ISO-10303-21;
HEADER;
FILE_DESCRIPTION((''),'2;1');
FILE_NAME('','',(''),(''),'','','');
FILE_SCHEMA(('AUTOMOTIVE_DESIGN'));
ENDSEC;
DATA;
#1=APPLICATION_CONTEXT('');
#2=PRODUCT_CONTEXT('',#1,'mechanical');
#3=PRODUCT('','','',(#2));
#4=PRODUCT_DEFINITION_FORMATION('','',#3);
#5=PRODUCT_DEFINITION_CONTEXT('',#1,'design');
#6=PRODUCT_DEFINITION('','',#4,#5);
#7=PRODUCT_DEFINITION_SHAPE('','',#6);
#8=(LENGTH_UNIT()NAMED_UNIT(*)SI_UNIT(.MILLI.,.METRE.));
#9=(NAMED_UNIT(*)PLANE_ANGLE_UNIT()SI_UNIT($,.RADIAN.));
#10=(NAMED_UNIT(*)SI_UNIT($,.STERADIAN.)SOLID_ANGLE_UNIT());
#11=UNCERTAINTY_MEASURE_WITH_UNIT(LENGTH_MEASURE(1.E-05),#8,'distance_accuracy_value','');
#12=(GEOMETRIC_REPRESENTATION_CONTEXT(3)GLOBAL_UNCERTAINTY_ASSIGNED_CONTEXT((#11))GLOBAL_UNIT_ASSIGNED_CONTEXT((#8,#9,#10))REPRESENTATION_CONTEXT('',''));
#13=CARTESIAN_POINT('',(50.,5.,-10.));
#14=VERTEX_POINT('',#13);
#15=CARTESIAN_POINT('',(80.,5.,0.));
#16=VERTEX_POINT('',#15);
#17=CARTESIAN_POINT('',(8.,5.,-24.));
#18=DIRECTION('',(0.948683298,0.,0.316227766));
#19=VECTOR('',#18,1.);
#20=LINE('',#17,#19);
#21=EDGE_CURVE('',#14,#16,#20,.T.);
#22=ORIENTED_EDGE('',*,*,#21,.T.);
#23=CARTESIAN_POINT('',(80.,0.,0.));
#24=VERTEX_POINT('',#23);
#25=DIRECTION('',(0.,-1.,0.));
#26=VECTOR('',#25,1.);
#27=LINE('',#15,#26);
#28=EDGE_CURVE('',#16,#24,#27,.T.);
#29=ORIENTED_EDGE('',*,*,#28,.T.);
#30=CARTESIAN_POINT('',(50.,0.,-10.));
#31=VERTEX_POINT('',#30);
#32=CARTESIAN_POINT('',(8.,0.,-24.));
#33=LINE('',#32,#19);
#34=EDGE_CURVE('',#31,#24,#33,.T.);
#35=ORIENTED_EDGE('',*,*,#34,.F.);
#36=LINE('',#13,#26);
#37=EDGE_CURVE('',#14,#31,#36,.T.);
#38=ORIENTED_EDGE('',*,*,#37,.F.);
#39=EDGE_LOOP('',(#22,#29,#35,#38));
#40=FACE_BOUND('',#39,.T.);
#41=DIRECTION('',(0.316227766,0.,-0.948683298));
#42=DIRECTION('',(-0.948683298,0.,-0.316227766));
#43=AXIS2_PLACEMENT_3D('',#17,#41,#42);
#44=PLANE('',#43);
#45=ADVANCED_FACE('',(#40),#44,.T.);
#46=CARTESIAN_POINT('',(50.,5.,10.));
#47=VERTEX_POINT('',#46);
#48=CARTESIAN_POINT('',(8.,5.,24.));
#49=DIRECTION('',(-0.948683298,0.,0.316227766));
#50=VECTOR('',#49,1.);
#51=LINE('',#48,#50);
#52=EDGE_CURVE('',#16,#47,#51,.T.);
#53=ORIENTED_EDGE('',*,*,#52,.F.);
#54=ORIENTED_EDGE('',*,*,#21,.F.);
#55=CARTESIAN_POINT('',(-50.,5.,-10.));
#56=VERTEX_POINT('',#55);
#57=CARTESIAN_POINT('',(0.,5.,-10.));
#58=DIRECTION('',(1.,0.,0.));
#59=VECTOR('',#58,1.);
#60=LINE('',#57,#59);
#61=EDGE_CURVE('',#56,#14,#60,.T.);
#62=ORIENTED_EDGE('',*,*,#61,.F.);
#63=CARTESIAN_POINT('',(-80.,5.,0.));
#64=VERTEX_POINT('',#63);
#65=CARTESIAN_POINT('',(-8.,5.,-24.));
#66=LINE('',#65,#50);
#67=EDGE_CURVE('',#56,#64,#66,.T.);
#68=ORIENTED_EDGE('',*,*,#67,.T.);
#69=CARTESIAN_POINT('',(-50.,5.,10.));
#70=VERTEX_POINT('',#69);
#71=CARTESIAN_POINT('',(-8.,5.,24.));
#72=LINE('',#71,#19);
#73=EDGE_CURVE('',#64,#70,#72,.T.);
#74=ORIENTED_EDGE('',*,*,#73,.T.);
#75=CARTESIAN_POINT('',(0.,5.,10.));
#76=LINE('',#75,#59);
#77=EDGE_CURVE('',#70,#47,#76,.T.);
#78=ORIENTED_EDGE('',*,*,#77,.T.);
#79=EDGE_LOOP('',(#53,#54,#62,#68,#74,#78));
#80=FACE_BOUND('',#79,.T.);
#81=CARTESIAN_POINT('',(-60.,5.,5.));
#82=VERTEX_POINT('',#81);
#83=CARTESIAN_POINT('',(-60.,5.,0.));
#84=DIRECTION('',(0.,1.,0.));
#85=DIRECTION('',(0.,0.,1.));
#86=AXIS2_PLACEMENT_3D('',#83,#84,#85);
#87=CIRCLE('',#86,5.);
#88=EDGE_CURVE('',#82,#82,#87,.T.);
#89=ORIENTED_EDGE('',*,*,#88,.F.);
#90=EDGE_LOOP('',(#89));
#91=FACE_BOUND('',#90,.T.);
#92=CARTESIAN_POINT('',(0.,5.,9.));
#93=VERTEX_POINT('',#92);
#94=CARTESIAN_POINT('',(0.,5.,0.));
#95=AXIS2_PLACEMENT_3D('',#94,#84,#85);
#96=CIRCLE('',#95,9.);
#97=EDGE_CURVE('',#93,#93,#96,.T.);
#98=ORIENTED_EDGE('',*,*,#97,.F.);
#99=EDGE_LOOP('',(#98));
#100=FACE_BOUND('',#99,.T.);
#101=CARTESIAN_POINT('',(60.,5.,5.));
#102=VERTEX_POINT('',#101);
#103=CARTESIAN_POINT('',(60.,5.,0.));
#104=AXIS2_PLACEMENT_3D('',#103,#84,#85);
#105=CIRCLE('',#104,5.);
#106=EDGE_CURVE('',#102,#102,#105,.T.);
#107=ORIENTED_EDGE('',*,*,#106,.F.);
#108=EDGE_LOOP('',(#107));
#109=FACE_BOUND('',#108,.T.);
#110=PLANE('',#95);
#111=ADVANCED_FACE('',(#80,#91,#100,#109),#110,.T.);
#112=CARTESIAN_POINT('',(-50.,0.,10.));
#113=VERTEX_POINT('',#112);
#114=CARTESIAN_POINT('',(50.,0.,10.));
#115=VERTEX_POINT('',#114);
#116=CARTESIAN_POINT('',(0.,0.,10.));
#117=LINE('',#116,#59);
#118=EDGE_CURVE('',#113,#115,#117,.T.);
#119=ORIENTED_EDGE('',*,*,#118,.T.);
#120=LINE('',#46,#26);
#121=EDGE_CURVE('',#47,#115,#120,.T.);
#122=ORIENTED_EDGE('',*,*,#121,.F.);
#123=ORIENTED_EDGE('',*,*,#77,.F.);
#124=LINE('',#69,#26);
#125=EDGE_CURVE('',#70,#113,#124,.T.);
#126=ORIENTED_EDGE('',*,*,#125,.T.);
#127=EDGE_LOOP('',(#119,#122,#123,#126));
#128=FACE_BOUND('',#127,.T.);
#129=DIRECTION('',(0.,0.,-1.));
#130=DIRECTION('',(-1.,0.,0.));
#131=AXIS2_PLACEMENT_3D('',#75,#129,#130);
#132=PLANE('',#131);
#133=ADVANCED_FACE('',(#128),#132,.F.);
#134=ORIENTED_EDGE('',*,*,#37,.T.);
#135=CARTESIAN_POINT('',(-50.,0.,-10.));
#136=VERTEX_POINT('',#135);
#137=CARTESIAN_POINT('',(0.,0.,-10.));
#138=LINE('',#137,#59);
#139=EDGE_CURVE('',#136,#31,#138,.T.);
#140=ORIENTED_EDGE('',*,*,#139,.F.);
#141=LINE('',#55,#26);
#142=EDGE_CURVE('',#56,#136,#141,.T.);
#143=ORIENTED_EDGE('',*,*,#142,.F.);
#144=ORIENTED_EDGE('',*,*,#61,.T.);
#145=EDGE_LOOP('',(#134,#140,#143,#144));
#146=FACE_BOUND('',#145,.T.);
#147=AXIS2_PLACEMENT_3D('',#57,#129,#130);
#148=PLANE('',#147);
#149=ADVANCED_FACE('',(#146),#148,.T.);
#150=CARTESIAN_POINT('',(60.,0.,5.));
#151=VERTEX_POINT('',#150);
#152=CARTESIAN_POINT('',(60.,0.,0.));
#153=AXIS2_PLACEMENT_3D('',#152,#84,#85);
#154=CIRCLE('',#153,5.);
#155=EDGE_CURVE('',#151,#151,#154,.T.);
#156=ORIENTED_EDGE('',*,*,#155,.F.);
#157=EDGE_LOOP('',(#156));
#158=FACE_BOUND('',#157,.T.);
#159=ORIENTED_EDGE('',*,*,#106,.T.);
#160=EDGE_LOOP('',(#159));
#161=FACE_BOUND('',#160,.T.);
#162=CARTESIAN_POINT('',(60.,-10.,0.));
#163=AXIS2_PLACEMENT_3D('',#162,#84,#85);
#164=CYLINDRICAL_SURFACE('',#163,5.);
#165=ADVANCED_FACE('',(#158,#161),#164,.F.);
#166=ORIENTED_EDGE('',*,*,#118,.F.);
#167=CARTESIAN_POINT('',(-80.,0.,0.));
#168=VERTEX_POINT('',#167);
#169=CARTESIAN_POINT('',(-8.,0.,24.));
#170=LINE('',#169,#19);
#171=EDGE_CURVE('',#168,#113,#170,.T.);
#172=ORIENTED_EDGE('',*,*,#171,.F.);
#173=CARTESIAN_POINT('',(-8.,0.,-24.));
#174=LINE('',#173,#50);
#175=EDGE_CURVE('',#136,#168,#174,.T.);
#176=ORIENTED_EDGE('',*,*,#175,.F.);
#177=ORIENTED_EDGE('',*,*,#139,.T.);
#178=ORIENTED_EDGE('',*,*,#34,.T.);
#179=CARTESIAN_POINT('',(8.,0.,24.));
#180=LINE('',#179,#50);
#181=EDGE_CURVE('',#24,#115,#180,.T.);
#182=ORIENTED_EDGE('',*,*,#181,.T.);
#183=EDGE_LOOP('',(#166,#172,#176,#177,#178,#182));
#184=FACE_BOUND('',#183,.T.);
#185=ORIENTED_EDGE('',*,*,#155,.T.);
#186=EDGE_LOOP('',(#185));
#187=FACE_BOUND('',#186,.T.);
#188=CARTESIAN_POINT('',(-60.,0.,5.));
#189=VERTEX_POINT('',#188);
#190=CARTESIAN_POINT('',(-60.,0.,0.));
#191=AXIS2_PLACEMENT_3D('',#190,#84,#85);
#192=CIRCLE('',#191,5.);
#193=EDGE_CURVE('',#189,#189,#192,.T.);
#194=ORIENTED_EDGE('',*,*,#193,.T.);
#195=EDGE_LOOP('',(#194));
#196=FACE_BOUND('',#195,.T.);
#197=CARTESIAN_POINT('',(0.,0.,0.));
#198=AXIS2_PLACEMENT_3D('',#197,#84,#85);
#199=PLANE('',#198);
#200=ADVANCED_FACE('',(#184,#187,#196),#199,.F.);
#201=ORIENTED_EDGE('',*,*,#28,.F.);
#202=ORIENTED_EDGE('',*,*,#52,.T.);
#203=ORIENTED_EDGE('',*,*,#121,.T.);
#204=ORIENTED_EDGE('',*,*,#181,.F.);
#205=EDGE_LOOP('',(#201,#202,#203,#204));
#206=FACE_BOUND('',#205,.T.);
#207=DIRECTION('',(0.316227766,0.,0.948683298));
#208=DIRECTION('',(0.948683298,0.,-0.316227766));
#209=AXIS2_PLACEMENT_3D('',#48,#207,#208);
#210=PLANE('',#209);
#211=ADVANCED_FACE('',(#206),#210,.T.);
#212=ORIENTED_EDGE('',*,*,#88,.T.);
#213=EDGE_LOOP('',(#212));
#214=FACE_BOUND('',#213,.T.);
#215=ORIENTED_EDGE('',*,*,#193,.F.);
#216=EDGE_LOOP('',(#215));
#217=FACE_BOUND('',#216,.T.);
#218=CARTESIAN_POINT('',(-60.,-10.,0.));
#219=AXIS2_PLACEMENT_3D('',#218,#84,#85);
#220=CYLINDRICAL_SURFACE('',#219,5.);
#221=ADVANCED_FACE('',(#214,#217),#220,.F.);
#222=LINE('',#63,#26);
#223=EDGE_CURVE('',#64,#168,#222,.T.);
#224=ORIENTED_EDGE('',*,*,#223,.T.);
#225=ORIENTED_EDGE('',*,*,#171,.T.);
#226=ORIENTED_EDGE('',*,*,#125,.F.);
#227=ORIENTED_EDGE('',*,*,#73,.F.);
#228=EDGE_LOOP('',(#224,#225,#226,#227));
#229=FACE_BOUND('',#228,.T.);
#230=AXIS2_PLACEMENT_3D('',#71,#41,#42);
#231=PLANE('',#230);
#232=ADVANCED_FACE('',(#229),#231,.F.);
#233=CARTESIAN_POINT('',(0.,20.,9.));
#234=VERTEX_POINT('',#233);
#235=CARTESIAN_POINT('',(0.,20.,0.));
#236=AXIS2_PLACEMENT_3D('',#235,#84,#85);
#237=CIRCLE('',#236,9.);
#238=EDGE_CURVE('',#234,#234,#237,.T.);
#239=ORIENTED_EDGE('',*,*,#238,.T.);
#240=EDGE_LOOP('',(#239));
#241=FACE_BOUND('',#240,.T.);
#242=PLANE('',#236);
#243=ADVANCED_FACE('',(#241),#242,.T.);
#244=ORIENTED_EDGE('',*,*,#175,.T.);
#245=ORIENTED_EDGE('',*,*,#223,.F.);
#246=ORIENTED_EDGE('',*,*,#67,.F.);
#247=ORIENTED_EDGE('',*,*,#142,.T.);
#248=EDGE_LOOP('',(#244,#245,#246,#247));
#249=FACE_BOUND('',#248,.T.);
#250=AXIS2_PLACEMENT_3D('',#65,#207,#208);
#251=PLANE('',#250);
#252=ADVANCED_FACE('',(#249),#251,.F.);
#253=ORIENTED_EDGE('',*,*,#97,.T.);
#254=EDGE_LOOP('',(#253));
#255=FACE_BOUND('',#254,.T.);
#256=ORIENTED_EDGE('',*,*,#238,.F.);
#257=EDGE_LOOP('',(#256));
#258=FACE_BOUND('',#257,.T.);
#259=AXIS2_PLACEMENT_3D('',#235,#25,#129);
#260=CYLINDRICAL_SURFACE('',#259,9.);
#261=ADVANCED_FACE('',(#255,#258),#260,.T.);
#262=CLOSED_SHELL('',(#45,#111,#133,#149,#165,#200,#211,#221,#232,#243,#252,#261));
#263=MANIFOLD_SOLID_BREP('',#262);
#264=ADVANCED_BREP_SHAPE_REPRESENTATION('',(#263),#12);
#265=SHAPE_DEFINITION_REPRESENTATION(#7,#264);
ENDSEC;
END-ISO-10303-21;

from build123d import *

# Parameters (mm, degrees)
BOSS_EXTRUDE1_DEPTH = 5
SKETCH3_R           = 9
BOSS_EXTRUDE2_DEPTH = 15
SKETCH5_R           = 5
CUT_EXTRUDE1_DEPTH  = 15


with BuildPart() as part:
    # Sketch1 → Boss-Extrude1 (new body)
    with BuildSketch(Plane(origin=(0, 0, 0), x_dir=(1, 0, 0), z_dir=(0, 1, 0))):
        Polygon((-50, 10), (50, 10), (80, 0), (50, -10), (-50, -10), (-80, 0), align=None)
    extrude(amount=BOSS_EXTRUDE1_DEPTH)

    # Sketch3 → Boss-Extrude2 (add)
    with BuildSketch(Plane(origin=(0, 5, 0), x_dir=(1, 0, 0), z_dir=(0, 1, 0))):
        with Locations(Location((0, 0, 0), (0, 0, 270))):
            Circle(SKETCH3_R)
    extrude(amount=BOSS_EXTRUDE2_DEPTH)

    # Sketch5 → Cut-Extrude1 (cut)
    with BuildSketch(Plane(origin=(0, 5, 0), x_dir=(1, 0, 0), z_dir=(0, 1, 0))):
        with Locations(Location((60, 0, 0), (0, 0, 270))):
            Circle(SKETCH5_R)
        with Locations(Location((-60, 0, 0), (0, 0, 270))):
            Circle(SKETCH5_R)
    extrude(amount=-CUT_EXTRUDE1_DEPTH, mode=Mode.SUBTRACT)


solid = part.part
